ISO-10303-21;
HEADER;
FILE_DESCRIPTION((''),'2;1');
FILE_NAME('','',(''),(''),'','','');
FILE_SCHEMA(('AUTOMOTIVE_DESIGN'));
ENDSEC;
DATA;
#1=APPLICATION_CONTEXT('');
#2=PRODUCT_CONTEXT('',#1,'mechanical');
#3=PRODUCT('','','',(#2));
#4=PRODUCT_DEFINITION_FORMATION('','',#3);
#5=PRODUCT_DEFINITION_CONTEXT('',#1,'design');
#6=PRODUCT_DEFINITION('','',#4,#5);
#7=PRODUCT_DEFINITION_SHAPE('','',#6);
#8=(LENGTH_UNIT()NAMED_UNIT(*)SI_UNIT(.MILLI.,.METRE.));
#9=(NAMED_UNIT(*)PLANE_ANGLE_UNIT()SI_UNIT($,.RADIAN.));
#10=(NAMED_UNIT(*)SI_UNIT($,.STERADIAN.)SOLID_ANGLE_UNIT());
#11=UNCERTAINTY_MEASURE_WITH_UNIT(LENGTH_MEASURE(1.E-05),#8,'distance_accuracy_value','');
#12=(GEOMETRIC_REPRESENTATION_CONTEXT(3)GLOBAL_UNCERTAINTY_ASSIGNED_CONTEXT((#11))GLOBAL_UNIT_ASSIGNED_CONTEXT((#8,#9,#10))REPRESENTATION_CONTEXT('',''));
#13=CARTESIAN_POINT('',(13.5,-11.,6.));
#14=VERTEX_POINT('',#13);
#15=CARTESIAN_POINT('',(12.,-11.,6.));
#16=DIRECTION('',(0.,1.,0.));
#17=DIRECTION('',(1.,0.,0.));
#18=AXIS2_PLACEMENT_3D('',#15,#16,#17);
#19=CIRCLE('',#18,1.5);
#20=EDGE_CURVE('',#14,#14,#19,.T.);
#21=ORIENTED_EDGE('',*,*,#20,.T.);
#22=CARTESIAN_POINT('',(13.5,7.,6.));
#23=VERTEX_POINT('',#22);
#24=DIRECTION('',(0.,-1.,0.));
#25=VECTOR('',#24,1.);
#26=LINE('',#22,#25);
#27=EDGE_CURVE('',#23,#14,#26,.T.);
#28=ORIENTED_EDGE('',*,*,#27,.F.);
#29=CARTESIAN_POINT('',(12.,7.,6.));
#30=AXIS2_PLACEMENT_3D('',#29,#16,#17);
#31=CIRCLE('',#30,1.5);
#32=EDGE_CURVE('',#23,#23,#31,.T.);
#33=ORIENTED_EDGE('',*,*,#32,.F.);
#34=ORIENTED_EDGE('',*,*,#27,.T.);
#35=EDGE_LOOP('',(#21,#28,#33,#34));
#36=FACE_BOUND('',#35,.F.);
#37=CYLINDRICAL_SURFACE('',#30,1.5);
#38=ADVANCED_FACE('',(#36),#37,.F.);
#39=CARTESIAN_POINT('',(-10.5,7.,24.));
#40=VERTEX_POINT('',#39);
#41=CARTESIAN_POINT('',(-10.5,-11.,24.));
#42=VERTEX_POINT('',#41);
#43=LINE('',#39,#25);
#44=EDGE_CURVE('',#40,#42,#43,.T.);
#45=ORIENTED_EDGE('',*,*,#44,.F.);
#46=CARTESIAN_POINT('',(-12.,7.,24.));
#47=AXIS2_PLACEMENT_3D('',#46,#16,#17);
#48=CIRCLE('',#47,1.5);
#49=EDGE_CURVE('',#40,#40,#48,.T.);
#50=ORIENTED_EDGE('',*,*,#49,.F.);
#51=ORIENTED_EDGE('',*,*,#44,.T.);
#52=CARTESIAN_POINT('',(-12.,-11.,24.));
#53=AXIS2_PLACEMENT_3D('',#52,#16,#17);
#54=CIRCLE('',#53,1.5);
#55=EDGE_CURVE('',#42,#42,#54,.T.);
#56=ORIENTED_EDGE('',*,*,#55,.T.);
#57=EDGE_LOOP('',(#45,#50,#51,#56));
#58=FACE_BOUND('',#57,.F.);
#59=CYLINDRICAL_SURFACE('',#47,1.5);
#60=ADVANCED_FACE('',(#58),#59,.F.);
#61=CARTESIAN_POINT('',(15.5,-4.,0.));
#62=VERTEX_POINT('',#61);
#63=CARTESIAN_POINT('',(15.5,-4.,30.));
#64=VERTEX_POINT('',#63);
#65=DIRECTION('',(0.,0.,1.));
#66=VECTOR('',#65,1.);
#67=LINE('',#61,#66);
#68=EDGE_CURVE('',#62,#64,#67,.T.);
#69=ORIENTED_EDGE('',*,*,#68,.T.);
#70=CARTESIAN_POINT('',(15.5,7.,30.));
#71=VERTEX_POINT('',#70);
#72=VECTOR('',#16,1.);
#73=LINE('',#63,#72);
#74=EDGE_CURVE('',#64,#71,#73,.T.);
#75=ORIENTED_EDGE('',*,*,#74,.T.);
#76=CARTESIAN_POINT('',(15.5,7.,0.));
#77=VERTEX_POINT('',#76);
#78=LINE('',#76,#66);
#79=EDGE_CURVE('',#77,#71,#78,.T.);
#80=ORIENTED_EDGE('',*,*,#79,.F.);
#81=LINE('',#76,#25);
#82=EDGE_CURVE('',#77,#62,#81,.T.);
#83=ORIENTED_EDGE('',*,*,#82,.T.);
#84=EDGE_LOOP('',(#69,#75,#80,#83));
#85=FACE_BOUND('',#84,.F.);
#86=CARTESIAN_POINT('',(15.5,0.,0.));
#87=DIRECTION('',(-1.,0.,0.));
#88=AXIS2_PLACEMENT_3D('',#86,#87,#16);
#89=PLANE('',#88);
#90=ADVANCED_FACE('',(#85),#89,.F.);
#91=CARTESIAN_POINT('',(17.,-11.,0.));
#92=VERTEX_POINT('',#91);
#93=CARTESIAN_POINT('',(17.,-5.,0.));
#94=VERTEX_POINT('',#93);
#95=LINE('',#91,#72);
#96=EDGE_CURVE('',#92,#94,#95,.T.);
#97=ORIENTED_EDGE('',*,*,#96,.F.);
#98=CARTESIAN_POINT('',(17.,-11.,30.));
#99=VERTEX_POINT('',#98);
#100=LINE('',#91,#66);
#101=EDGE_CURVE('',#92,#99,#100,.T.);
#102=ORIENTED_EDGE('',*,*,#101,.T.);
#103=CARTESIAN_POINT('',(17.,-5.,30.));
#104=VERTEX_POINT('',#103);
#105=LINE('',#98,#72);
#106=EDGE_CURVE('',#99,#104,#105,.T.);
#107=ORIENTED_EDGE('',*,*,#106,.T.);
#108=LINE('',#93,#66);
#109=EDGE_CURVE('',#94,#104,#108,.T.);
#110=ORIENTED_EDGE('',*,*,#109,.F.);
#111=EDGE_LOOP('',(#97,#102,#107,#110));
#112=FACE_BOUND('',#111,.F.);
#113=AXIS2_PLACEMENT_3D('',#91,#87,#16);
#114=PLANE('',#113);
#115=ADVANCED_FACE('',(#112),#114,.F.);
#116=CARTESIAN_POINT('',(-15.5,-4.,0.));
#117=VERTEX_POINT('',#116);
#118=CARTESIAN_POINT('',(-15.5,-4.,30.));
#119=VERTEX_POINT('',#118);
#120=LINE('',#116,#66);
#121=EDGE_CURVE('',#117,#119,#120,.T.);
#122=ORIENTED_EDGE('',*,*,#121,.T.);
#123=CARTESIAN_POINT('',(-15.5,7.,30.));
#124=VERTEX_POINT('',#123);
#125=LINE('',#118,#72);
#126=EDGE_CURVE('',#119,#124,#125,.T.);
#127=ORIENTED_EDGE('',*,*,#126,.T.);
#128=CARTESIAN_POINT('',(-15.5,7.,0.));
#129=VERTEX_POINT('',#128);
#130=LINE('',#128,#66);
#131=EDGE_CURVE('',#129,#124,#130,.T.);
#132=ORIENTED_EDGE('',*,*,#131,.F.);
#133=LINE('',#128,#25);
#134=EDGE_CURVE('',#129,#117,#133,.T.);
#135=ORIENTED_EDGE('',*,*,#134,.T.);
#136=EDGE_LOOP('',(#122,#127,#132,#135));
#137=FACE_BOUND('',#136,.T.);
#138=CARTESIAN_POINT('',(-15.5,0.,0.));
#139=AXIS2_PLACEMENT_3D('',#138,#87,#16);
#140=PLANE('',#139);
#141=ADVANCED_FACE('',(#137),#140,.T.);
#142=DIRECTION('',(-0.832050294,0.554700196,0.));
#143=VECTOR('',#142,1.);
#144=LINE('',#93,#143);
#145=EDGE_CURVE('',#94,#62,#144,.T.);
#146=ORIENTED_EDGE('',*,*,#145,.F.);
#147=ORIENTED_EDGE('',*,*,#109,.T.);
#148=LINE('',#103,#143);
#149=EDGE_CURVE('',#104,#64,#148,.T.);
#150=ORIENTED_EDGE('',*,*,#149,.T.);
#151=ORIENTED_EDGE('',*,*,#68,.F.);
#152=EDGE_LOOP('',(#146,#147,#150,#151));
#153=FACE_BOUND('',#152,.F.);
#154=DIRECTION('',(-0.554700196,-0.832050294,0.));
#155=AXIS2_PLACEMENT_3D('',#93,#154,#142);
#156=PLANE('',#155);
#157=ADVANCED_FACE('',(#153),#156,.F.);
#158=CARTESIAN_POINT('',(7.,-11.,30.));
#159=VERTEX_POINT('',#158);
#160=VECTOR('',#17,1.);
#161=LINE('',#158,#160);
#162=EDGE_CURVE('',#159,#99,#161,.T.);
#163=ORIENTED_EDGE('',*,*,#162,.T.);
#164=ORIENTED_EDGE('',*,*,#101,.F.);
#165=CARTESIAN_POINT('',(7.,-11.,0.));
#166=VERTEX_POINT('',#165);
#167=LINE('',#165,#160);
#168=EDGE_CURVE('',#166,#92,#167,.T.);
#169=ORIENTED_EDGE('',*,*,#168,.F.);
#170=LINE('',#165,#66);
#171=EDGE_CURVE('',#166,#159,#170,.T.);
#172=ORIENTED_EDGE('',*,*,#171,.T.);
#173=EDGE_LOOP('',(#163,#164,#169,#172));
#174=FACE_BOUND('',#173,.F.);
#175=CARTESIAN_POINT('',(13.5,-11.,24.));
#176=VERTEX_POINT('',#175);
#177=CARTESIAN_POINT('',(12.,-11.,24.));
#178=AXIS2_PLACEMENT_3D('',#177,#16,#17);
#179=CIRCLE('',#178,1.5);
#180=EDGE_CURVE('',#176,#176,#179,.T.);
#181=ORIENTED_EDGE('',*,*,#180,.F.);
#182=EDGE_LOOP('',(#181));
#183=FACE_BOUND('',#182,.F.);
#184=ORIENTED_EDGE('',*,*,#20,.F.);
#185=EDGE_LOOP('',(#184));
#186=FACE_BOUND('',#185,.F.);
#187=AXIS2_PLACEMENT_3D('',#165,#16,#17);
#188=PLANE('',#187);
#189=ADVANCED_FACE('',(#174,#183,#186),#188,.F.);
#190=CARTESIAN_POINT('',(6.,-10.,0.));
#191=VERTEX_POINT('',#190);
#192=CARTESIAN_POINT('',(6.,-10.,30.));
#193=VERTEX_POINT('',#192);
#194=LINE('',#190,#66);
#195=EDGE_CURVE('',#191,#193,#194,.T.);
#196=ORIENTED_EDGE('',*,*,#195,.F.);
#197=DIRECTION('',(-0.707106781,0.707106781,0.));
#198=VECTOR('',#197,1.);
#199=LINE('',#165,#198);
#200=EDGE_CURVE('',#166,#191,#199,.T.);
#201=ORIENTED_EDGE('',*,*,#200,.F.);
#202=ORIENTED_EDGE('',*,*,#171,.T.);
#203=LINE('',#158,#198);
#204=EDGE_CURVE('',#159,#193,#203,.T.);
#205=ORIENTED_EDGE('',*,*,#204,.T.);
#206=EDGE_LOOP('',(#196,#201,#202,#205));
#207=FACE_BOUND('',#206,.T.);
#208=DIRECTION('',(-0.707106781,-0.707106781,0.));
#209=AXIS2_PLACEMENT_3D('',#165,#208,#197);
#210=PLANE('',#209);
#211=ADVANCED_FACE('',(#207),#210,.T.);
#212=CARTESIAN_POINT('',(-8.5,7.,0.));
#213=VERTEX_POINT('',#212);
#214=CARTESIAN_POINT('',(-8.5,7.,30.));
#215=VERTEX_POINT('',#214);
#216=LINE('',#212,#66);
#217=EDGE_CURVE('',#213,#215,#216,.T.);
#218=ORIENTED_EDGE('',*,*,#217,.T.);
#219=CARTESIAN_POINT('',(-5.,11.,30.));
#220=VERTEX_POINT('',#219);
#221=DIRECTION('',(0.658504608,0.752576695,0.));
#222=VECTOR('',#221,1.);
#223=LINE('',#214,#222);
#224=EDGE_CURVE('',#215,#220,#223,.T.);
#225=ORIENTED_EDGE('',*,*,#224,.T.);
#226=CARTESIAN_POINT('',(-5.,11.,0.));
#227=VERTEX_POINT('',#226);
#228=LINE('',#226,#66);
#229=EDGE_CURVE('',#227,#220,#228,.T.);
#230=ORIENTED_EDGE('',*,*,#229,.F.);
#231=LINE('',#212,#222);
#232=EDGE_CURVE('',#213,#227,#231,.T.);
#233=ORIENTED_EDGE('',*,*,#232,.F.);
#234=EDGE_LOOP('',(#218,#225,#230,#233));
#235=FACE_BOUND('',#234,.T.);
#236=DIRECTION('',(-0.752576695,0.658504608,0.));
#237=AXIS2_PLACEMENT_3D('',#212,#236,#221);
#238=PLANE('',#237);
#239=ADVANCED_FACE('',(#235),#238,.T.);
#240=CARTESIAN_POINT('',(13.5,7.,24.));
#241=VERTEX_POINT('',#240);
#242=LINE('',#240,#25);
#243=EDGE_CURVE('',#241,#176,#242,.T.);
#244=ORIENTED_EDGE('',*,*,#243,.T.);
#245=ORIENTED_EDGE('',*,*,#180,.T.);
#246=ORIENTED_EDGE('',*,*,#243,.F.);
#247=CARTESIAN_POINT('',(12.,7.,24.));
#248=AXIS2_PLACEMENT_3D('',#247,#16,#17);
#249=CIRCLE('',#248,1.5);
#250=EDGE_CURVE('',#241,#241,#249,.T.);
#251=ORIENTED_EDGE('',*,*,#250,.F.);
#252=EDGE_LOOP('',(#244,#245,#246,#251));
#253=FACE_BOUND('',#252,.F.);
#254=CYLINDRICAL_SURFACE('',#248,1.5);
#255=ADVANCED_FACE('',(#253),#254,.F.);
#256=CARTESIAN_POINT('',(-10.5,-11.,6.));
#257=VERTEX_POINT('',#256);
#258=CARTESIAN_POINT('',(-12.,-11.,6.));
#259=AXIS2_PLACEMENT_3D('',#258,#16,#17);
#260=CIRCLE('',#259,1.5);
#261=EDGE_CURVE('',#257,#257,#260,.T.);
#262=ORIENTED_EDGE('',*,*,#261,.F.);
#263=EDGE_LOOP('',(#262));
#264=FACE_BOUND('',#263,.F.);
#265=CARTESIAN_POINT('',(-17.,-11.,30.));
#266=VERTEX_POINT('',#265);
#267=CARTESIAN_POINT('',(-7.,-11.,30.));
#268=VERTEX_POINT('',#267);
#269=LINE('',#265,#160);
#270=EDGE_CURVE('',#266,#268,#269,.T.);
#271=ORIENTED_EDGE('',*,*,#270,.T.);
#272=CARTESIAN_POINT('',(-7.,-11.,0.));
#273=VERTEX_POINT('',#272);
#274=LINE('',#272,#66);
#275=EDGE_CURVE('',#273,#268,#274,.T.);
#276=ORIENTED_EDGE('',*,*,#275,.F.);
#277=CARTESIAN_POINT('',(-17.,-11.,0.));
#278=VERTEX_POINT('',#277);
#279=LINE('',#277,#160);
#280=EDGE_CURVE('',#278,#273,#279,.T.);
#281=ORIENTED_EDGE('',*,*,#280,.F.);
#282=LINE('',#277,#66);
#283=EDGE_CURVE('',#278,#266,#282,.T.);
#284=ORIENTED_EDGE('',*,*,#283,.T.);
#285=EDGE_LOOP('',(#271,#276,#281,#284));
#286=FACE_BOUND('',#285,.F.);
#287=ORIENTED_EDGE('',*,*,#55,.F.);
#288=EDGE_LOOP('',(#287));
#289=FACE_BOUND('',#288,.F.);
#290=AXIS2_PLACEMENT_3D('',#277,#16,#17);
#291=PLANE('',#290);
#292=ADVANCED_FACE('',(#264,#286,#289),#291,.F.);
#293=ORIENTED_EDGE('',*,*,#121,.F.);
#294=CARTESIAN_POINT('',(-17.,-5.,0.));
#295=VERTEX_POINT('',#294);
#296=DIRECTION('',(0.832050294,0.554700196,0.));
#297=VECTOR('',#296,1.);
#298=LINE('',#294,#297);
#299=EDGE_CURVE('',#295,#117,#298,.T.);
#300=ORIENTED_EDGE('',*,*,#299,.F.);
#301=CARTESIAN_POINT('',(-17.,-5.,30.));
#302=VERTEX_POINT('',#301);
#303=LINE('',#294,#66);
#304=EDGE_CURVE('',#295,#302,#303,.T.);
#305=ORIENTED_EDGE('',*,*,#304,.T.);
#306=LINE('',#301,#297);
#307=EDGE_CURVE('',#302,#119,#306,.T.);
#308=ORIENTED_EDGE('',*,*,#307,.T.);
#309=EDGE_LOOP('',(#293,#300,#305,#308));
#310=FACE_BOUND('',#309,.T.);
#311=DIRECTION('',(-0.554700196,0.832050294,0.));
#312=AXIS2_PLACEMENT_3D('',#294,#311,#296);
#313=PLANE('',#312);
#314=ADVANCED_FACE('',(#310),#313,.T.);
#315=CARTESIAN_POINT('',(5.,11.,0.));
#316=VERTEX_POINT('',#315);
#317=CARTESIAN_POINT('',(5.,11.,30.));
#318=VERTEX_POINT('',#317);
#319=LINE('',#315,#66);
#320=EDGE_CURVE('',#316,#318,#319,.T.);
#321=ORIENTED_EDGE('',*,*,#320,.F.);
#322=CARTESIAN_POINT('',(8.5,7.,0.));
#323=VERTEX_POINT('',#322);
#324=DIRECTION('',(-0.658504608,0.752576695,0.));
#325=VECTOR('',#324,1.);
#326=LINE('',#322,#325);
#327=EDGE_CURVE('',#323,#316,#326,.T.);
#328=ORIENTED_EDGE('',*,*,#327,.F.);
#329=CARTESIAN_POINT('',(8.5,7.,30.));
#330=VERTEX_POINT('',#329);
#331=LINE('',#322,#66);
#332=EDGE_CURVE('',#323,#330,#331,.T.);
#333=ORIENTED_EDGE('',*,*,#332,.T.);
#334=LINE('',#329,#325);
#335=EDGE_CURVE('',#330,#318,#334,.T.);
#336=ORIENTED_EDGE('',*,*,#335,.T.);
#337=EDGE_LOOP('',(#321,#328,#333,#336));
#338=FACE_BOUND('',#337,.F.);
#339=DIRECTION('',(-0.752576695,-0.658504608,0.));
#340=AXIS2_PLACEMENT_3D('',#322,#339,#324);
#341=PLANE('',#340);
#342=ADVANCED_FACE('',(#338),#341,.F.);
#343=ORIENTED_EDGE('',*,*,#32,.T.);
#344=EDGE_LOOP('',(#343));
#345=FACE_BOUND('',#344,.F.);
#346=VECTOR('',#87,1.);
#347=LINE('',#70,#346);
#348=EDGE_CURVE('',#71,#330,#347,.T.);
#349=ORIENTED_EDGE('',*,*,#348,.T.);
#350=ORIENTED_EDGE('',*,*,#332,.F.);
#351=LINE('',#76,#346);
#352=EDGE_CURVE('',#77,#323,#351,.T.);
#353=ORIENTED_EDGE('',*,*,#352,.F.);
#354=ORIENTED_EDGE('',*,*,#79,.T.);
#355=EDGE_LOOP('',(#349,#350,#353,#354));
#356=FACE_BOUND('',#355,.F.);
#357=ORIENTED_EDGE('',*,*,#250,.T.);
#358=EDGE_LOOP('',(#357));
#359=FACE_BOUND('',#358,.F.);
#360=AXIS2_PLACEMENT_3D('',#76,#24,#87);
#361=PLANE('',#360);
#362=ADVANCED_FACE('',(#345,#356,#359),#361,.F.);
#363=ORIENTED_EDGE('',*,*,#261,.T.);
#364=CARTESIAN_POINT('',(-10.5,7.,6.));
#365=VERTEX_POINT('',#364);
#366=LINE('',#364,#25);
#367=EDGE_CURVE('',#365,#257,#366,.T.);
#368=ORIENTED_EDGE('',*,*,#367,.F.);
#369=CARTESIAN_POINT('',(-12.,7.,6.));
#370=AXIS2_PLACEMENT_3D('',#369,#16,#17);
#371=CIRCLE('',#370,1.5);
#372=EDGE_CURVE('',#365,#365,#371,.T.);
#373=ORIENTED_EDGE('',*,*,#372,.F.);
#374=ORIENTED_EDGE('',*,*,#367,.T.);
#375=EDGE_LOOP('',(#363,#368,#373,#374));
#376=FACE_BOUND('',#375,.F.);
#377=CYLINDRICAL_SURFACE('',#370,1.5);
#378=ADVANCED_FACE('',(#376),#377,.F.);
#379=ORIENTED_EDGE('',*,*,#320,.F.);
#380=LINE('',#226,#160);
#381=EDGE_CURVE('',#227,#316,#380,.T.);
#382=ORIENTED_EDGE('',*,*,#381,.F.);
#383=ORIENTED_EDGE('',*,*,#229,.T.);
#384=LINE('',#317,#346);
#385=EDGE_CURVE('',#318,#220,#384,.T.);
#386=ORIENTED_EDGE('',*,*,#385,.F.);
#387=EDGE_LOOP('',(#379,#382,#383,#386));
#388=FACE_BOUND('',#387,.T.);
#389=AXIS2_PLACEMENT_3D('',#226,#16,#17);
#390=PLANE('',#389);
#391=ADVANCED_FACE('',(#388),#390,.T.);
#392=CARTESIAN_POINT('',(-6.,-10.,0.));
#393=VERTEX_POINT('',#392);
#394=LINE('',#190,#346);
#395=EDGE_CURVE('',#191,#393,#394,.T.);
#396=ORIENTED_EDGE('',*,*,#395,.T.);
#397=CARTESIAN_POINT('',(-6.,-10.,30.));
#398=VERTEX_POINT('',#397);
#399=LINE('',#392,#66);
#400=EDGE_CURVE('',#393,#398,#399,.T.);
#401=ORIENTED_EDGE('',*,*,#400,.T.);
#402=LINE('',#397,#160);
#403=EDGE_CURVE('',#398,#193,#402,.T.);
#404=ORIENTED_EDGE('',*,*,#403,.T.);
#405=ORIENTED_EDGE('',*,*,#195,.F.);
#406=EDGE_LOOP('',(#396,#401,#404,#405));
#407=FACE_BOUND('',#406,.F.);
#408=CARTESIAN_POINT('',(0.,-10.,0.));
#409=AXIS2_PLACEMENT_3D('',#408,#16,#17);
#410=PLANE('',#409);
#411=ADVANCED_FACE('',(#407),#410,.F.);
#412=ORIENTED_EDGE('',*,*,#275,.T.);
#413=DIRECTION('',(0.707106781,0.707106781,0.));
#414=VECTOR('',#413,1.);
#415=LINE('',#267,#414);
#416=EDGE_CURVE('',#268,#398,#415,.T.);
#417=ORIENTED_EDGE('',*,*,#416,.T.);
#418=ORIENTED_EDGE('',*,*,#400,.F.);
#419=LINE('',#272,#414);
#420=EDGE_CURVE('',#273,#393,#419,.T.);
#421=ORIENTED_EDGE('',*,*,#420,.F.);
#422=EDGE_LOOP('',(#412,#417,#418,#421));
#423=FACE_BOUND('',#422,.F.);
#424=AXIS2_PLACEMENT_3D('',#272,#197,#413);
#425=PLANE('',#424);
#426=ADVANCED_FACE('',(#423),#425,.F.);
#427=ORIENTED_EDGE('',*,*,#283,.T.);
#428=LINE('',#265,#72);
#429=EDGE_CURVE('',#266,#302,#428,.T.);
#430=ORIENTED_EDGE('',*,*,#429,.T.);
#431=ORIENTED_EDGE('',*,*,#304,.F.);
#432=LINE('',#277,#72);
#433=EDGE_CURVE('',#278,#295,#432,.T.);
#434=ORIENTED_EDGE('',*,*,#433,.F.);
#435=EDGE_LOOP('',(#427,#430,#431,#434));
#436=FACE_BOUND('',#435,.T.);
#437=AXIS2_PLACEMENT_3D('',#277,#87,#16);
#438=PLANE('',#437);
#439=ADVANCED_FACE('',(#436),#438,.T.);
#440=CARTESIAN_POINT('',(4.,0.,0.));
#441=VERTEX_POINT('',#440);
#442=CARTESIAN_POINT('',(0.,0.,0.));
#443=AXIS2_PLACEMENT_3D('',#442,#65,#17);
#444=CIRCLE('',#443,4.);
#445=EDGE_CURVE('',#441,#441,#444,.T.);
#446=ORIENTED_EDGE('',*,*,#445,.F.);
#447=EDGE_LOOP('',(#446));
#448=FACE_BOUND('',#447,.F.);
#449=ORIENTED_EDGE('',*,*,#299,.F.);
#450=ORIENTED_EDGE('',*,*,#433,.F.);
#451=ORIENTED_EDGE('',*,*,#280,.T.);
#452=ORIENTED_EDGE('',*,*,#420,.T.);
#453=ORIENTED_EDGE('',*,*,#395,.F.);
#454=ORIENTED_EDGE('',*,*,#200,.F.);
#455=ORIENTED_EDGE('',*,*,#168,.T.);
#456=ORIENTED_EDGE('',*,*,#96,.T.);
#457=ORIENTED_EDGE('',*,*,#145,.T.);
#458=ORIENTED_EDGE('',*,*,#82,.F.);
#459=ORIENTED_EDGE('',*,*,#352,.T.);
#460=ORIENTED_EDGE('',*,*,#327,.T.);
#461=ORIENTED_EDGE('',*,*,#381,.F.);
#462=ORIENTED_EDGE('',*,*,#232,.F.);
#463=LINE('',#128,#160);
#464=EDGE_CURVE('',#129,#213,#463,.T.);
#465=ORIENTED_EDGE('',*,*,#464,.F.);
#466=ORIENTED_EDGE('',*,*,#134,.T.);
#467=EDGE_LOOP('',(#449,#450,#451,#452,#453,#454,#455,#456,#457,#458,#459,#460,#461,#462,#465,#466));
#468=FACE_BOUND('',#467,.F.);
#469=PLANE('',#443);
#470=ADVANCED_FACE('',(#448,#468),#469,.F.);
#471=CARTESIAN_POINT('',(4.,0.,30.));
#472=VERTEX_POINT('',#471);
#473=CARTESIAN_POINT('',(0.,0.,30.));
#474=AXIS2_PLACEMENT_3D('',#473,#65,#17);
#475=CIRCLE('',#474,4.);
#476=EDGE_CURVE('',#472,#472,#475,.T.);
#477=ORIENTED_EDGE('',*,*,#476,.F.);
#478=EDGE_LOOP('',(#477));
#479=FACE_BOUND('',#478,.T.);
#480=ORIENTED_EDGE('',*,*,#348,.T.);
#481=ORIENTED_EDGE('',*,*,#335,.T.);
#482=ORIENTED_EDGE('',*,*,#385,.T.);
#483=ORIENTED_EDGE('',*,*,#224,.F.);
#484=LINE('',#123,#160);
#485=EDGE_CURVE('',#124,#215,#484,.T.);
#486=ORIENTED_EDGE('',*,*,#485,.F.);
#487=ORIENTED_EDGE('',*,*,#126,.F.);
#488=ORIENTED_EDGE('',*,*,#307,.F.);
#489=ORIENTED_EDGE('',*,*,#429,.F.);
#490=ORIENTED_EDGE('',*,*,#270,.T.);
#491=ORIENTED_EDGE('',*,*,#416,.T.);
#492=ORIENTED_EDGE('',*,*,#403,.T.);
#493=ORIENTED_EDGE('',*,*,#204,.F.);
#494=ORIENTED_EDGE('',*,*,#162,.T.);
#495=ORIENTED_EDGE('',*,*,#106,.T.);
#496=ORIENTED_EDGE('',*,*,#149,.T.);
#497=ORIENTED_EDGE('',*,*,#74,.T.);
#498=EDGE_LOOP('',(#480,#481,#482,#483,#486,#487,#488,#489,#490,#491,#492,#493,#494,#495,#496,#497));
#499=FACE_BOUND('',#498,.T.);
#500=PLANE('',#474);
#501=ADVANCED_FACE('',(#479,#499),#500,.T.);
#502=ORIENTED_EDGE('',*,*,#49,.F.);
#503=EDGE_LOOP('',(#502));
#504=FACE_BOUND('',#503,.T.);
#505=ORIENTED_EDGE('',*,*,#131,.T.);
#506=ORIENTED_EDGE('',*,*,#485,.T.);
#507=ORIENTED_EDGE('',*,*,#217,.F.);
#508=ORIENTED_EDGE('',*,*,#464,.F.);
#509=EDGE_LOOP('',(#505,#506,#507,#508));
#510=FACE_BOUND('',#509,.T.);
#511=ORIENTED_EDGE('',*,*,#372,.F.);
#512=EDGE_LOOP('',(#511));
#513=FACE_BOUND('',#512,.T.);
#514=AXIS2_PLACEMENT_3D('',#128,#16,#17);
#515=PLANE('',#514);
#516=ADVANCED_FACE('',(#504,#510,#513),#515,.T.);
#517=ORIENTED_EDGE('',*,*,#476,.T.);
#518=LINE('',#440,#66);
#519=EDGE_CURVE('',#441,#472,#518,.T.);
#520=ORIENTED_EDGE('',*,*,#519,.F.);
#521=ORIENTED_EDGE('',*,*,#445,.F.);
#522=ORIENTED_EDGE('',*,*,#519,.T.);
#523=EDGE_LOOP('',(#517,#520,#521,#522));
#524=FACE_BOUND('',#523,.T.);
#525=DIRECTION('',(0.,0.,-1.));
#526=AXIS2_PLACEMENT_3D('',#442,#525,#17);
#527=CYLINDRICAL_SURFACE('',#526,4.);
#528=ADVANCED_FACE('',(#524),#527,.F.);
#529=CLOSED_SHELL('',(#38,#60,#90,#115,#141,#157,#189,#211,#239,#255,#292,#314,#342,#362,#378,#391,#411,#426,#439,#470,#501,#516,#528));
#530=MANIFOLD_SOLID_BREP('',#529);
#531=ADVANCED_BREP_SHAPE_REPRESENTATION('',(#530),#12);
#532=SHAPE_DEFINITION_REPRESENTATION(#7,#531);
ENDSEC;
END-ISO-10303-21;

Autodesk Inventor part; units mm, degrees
ref_plane "YZ Plane" through (0, 0, 0) normal (1, 0, 0) x (0, 1, 0)
ref_plane "XZ Plane" through (0, 0, 0) normal (0, 1, 0) x (-1, 0, 0)
ref_plane "XY Plane" through (0, 0, 0) normal (0, 0, 1) x (1, 0, 0)
sketch "Sketch1" plane through (0, 0, 0) normal (0, 0, 1) x (1, 0, 0)
  circle A0 centre (0, 0) radius 4
  line L0 (-15.5, 0) -> (-15.5, 7)
  line L1 (-15.5, 7) -> (-8.5, 7)
  line L2 (-8.5, 7) -> (-5, 11)
  line L3 (-5, 11) -> (0, 11)
  line L4 (0, -4) -> (-15.5, -4) construction
  line L5 (-15.5, 0) -> (-15.5, -4)
  line L6 (-17, -11) -> (0, -11) construction
  line L7 (-17, -11) -> (-17, -5)
  line L8 (-17, -5) -> (-15.5, -4)
  line L9 (0, -4) -> (0, -11) construction
  line L10 (0, 4) -> (0, 11) construction
  line L11 (15.5, 0) -> (15.5, 7)
  line L12 (15.5, 7) -> (8.5, 7)
  line L13 (8.5, 7) -> (5, 11)
  line L14 (5, 11) -> (0, 11)
  line L15 (15.5, 0) -> (15.5, -4)
  line L16 (17, -11) -> (17, -5)
  line L17 (17, -5) -> (15.5, -4)
  line L18 (-17, -11) -> (-7, -11)
  line L19 (0, -10) -> (-6, -10)
  line L20 (-7, -11) -> (-6, -10)
  line L21 (17, -11) -> (0, -11) construction
  line L22 (0, -10) -> (6, -10)
  line L23 (7, -11) -> (6, -10)
  line L24 (7, -11) -> (17, -11)
  dimension "d0" = 8
  dimension "d1" = 15.5
  dimension "d2" = 11
  dimension "d3" = 17
  dimension "d4" = 6
  dimension "d5" = 18
  dimension "d6" = 22
  dimension "d7" = 5
  dimension "d8" = 7
  dimension "d19" = 10
  dimension "d20" = 1
  dimension "d21" = 6
extrude "Extrusion1" add sketch "Sketch1" along normal blind 30
sketch "Sketch2" plane through (-15.5, 7, 0) normal (0, 1, 0) x (1, 0, 0)
  circle A0 centre (3.5, -6) radius 1.5
  line L0 (15.5, 0) -> (15.5, -30) construction
  line L1 (32.5, 0) -> (32.5, -30) construction
  line L2 (32.5, -15) -> (-1.5, -15) construction
  line L3 (-1.5, 0) -> (-1.5, -30) construction
  line L4 (27.5, -24) -> (3.5, -24) construction
  line L5 (3.5, -24) -> (3.5, -6) construction
  line L6 (3.5, -6) -> (27.5, -6) construction
  line L7 (27.5, -6) -> (27.5, -24) construction
  line L8 (27.5, -24) -> (3.5, -6) construction
  line L9 (3.5, -24) -> (27.5, -6) construction
  circle A1 centre (27.5, -6) radius 1.5
  circle A2 centre (27.5, -24) radius 1.5
  circle A3 centre (3.5, -24) radius 1.5
  point P0 (15.5, -15)
  dimension "d11" = 3
  dimension "d12" = 24
  dimension "d13" = 18
  dimension "d14" = 3
  dimension "d15" = 3
  dimension "d16" = 3
extrude "Extrusion2" cut sketch "Sketch2" against normal through all
equation "\"d14\" = d11"
equation "\"d15\" = d11"
equation "\"d16\" = d11"
properties part number "Linear Bearing 8mm Square"
